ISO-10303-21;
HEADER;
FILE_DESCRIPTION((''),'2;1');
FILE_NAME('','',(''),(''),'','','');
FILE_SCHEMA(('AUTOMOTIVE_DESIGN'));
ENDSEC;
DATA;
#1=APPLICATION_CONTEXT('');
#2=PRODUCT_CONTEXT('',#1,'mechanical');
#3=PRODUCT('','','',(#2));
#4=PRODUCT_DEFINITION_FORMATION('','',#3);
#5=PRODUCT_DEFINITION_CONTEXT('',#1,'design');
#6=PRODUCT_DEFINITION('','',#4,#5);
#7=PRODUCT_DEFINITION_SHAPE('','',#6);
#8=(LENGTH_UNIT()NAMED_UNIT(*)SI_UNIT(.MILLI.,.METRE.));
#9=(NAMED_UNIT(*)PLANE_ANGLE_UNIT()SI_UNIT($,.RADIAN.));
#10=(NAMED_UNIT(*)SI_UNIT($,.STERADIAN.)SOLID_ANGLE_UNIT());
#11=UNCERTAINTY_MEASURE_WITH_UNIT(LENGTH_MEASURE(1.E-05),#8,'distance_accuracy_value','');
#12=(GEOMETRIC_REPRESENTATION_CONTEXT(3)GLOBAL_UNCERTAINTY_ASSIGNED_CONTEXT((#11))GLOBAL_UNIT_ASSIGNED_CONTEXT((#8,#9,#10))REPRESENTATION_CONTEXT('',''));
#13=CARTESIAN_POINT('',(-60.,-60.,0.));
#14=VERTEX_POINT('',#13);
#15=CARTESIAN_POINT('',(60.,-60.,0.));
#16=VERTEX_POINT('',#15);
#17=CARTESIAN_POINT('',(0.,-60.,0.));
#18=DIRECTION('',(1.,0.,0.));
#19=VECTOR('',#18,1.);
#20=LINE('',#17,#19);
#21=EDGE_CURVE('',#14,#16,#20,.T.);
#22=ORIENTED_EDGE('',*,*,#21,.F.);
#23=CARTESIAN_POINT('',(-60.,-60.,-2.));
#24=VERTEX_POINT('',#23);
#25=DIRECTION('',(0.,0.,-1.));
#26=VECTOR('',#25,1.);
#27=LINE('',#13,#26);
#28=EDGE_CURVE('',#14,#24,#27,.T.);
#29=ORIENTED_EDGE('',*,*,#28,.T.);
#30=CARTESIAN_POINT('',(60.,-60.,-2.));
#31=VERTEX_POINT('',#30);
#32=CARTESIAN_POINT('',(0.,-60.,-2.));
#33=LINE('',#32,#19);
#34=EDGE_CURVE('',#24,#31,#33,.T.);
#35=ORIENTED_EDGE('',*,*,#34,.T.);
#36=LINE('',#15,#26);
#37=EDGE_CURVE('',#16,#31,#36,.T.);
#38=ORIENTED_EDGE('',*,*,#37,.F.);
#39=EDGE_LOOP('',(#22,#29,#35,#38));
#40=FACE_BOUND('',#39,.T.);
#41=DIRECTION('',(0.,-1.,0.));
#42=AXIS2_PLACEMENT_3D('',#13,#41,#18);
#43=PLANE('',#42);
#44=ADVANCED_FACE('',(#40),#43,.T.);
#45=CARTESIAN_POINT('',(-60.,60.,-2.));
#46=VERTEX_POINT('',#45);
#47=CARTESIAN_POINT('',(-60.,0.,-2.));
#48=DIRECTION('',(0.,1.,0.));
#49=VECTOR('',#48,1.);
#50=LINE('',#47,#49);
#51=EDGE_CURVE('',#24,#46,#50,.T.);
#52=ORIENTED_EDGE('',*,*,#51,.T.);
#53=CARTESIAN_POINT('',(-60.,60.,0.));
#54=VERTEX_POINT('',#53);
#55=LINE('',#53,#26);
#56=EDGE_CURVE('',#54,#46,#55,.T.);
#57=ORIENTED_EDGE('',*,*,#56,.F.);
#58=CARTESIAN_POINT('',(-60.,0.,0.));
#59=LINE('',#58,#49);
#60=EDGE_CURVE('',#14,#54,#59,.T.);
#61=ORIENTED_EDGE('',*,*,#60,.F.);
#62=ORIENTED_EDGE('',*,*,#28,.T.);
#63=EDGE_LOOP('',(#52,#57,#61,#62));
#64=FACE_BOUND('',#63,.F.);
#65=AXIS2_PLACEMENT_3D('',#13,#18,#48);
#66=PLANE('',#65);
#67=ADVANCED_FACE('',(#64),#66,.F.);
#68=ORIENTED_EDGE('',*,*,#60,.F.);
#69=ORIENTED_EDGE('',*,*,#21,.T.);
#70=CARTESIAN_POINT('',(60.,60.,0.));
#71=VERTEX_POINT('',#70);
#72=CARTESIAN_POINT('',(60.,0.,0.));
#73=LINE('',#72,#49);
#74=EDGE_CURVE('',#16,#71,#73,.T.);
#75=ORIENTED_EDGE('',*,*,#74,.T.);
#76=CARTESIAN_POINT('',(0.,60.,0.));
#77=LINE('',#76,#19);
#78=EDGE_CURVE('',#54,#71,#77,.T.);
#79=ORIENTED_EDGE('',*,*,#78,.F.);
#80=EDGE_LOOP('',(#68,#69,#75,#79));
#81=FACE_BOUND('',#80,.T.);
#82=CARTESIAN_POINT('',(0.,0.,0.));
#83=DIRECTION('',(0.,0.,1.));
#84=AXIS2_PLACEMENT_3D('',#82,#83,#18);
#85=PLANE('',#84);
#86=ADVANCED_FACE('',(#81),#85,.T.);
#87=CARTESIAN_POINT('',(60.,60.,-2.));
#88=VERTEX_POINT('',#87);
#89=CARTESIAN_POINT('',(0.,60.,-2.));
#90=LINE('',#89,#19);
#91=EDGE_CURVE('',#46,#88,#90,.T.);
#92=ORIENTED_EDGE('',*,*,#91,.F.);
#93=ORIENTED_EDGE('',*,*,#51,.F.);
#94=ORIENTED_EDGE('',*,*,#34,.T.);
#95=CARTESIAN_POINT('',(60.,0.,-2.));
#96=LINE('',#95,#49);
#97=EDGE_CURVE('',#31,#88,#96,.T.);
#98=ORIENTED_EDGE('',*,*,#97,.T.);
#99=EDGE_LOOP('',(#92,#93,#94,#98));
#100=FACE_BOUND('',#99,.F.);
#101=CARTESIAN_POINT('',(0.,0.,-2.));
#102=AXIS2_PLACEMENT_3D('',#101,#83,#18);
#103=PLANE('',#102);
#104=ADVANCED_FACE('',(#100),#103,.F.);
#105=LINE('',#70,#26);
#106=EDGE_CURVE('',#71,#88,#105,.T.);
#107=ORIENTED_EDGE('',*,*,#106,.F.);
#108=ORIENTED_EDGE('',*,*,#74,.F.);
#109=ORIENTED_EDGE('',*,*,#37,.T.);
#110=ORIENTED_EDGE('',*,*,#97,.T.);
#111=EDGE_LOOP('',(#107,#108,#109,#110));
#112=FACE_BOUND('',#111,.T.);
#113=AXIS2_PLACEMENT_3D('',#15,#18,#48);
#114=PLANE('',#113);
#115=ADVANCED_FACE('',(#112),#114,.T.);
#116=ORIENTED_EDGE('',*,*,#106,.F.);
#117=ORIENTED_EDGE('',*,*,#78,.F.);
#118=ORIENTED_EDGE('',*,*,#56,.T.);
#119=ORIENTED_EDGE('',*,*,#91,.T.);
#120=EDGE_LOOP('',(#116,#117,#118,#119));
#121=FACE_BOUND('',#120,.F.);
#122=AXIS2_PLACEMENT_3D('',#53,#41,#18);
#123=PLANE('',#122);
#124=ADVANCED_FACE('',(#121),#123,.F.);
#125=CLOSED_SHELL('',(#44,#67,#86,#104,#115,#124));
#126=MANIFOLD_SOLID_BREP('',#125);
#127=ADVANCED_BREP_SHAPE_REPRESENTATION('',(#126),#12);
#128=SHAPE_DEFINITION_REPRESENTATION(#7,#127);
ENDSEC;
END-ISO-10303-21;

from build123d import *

# Parameters (mm, degrees)
SKETCH_W  = 120
SKETCH_H  = 120
PAD_DEPTH = 2


with BuildPart() as part:
    # Sketch → Pad (new body)
    with BuildSketch(Plane.XY):
        Rectangle(SKETCH_W, SKETCH_H)
    extrude(amount=-PAD_DEPTH)


solid = part.part
